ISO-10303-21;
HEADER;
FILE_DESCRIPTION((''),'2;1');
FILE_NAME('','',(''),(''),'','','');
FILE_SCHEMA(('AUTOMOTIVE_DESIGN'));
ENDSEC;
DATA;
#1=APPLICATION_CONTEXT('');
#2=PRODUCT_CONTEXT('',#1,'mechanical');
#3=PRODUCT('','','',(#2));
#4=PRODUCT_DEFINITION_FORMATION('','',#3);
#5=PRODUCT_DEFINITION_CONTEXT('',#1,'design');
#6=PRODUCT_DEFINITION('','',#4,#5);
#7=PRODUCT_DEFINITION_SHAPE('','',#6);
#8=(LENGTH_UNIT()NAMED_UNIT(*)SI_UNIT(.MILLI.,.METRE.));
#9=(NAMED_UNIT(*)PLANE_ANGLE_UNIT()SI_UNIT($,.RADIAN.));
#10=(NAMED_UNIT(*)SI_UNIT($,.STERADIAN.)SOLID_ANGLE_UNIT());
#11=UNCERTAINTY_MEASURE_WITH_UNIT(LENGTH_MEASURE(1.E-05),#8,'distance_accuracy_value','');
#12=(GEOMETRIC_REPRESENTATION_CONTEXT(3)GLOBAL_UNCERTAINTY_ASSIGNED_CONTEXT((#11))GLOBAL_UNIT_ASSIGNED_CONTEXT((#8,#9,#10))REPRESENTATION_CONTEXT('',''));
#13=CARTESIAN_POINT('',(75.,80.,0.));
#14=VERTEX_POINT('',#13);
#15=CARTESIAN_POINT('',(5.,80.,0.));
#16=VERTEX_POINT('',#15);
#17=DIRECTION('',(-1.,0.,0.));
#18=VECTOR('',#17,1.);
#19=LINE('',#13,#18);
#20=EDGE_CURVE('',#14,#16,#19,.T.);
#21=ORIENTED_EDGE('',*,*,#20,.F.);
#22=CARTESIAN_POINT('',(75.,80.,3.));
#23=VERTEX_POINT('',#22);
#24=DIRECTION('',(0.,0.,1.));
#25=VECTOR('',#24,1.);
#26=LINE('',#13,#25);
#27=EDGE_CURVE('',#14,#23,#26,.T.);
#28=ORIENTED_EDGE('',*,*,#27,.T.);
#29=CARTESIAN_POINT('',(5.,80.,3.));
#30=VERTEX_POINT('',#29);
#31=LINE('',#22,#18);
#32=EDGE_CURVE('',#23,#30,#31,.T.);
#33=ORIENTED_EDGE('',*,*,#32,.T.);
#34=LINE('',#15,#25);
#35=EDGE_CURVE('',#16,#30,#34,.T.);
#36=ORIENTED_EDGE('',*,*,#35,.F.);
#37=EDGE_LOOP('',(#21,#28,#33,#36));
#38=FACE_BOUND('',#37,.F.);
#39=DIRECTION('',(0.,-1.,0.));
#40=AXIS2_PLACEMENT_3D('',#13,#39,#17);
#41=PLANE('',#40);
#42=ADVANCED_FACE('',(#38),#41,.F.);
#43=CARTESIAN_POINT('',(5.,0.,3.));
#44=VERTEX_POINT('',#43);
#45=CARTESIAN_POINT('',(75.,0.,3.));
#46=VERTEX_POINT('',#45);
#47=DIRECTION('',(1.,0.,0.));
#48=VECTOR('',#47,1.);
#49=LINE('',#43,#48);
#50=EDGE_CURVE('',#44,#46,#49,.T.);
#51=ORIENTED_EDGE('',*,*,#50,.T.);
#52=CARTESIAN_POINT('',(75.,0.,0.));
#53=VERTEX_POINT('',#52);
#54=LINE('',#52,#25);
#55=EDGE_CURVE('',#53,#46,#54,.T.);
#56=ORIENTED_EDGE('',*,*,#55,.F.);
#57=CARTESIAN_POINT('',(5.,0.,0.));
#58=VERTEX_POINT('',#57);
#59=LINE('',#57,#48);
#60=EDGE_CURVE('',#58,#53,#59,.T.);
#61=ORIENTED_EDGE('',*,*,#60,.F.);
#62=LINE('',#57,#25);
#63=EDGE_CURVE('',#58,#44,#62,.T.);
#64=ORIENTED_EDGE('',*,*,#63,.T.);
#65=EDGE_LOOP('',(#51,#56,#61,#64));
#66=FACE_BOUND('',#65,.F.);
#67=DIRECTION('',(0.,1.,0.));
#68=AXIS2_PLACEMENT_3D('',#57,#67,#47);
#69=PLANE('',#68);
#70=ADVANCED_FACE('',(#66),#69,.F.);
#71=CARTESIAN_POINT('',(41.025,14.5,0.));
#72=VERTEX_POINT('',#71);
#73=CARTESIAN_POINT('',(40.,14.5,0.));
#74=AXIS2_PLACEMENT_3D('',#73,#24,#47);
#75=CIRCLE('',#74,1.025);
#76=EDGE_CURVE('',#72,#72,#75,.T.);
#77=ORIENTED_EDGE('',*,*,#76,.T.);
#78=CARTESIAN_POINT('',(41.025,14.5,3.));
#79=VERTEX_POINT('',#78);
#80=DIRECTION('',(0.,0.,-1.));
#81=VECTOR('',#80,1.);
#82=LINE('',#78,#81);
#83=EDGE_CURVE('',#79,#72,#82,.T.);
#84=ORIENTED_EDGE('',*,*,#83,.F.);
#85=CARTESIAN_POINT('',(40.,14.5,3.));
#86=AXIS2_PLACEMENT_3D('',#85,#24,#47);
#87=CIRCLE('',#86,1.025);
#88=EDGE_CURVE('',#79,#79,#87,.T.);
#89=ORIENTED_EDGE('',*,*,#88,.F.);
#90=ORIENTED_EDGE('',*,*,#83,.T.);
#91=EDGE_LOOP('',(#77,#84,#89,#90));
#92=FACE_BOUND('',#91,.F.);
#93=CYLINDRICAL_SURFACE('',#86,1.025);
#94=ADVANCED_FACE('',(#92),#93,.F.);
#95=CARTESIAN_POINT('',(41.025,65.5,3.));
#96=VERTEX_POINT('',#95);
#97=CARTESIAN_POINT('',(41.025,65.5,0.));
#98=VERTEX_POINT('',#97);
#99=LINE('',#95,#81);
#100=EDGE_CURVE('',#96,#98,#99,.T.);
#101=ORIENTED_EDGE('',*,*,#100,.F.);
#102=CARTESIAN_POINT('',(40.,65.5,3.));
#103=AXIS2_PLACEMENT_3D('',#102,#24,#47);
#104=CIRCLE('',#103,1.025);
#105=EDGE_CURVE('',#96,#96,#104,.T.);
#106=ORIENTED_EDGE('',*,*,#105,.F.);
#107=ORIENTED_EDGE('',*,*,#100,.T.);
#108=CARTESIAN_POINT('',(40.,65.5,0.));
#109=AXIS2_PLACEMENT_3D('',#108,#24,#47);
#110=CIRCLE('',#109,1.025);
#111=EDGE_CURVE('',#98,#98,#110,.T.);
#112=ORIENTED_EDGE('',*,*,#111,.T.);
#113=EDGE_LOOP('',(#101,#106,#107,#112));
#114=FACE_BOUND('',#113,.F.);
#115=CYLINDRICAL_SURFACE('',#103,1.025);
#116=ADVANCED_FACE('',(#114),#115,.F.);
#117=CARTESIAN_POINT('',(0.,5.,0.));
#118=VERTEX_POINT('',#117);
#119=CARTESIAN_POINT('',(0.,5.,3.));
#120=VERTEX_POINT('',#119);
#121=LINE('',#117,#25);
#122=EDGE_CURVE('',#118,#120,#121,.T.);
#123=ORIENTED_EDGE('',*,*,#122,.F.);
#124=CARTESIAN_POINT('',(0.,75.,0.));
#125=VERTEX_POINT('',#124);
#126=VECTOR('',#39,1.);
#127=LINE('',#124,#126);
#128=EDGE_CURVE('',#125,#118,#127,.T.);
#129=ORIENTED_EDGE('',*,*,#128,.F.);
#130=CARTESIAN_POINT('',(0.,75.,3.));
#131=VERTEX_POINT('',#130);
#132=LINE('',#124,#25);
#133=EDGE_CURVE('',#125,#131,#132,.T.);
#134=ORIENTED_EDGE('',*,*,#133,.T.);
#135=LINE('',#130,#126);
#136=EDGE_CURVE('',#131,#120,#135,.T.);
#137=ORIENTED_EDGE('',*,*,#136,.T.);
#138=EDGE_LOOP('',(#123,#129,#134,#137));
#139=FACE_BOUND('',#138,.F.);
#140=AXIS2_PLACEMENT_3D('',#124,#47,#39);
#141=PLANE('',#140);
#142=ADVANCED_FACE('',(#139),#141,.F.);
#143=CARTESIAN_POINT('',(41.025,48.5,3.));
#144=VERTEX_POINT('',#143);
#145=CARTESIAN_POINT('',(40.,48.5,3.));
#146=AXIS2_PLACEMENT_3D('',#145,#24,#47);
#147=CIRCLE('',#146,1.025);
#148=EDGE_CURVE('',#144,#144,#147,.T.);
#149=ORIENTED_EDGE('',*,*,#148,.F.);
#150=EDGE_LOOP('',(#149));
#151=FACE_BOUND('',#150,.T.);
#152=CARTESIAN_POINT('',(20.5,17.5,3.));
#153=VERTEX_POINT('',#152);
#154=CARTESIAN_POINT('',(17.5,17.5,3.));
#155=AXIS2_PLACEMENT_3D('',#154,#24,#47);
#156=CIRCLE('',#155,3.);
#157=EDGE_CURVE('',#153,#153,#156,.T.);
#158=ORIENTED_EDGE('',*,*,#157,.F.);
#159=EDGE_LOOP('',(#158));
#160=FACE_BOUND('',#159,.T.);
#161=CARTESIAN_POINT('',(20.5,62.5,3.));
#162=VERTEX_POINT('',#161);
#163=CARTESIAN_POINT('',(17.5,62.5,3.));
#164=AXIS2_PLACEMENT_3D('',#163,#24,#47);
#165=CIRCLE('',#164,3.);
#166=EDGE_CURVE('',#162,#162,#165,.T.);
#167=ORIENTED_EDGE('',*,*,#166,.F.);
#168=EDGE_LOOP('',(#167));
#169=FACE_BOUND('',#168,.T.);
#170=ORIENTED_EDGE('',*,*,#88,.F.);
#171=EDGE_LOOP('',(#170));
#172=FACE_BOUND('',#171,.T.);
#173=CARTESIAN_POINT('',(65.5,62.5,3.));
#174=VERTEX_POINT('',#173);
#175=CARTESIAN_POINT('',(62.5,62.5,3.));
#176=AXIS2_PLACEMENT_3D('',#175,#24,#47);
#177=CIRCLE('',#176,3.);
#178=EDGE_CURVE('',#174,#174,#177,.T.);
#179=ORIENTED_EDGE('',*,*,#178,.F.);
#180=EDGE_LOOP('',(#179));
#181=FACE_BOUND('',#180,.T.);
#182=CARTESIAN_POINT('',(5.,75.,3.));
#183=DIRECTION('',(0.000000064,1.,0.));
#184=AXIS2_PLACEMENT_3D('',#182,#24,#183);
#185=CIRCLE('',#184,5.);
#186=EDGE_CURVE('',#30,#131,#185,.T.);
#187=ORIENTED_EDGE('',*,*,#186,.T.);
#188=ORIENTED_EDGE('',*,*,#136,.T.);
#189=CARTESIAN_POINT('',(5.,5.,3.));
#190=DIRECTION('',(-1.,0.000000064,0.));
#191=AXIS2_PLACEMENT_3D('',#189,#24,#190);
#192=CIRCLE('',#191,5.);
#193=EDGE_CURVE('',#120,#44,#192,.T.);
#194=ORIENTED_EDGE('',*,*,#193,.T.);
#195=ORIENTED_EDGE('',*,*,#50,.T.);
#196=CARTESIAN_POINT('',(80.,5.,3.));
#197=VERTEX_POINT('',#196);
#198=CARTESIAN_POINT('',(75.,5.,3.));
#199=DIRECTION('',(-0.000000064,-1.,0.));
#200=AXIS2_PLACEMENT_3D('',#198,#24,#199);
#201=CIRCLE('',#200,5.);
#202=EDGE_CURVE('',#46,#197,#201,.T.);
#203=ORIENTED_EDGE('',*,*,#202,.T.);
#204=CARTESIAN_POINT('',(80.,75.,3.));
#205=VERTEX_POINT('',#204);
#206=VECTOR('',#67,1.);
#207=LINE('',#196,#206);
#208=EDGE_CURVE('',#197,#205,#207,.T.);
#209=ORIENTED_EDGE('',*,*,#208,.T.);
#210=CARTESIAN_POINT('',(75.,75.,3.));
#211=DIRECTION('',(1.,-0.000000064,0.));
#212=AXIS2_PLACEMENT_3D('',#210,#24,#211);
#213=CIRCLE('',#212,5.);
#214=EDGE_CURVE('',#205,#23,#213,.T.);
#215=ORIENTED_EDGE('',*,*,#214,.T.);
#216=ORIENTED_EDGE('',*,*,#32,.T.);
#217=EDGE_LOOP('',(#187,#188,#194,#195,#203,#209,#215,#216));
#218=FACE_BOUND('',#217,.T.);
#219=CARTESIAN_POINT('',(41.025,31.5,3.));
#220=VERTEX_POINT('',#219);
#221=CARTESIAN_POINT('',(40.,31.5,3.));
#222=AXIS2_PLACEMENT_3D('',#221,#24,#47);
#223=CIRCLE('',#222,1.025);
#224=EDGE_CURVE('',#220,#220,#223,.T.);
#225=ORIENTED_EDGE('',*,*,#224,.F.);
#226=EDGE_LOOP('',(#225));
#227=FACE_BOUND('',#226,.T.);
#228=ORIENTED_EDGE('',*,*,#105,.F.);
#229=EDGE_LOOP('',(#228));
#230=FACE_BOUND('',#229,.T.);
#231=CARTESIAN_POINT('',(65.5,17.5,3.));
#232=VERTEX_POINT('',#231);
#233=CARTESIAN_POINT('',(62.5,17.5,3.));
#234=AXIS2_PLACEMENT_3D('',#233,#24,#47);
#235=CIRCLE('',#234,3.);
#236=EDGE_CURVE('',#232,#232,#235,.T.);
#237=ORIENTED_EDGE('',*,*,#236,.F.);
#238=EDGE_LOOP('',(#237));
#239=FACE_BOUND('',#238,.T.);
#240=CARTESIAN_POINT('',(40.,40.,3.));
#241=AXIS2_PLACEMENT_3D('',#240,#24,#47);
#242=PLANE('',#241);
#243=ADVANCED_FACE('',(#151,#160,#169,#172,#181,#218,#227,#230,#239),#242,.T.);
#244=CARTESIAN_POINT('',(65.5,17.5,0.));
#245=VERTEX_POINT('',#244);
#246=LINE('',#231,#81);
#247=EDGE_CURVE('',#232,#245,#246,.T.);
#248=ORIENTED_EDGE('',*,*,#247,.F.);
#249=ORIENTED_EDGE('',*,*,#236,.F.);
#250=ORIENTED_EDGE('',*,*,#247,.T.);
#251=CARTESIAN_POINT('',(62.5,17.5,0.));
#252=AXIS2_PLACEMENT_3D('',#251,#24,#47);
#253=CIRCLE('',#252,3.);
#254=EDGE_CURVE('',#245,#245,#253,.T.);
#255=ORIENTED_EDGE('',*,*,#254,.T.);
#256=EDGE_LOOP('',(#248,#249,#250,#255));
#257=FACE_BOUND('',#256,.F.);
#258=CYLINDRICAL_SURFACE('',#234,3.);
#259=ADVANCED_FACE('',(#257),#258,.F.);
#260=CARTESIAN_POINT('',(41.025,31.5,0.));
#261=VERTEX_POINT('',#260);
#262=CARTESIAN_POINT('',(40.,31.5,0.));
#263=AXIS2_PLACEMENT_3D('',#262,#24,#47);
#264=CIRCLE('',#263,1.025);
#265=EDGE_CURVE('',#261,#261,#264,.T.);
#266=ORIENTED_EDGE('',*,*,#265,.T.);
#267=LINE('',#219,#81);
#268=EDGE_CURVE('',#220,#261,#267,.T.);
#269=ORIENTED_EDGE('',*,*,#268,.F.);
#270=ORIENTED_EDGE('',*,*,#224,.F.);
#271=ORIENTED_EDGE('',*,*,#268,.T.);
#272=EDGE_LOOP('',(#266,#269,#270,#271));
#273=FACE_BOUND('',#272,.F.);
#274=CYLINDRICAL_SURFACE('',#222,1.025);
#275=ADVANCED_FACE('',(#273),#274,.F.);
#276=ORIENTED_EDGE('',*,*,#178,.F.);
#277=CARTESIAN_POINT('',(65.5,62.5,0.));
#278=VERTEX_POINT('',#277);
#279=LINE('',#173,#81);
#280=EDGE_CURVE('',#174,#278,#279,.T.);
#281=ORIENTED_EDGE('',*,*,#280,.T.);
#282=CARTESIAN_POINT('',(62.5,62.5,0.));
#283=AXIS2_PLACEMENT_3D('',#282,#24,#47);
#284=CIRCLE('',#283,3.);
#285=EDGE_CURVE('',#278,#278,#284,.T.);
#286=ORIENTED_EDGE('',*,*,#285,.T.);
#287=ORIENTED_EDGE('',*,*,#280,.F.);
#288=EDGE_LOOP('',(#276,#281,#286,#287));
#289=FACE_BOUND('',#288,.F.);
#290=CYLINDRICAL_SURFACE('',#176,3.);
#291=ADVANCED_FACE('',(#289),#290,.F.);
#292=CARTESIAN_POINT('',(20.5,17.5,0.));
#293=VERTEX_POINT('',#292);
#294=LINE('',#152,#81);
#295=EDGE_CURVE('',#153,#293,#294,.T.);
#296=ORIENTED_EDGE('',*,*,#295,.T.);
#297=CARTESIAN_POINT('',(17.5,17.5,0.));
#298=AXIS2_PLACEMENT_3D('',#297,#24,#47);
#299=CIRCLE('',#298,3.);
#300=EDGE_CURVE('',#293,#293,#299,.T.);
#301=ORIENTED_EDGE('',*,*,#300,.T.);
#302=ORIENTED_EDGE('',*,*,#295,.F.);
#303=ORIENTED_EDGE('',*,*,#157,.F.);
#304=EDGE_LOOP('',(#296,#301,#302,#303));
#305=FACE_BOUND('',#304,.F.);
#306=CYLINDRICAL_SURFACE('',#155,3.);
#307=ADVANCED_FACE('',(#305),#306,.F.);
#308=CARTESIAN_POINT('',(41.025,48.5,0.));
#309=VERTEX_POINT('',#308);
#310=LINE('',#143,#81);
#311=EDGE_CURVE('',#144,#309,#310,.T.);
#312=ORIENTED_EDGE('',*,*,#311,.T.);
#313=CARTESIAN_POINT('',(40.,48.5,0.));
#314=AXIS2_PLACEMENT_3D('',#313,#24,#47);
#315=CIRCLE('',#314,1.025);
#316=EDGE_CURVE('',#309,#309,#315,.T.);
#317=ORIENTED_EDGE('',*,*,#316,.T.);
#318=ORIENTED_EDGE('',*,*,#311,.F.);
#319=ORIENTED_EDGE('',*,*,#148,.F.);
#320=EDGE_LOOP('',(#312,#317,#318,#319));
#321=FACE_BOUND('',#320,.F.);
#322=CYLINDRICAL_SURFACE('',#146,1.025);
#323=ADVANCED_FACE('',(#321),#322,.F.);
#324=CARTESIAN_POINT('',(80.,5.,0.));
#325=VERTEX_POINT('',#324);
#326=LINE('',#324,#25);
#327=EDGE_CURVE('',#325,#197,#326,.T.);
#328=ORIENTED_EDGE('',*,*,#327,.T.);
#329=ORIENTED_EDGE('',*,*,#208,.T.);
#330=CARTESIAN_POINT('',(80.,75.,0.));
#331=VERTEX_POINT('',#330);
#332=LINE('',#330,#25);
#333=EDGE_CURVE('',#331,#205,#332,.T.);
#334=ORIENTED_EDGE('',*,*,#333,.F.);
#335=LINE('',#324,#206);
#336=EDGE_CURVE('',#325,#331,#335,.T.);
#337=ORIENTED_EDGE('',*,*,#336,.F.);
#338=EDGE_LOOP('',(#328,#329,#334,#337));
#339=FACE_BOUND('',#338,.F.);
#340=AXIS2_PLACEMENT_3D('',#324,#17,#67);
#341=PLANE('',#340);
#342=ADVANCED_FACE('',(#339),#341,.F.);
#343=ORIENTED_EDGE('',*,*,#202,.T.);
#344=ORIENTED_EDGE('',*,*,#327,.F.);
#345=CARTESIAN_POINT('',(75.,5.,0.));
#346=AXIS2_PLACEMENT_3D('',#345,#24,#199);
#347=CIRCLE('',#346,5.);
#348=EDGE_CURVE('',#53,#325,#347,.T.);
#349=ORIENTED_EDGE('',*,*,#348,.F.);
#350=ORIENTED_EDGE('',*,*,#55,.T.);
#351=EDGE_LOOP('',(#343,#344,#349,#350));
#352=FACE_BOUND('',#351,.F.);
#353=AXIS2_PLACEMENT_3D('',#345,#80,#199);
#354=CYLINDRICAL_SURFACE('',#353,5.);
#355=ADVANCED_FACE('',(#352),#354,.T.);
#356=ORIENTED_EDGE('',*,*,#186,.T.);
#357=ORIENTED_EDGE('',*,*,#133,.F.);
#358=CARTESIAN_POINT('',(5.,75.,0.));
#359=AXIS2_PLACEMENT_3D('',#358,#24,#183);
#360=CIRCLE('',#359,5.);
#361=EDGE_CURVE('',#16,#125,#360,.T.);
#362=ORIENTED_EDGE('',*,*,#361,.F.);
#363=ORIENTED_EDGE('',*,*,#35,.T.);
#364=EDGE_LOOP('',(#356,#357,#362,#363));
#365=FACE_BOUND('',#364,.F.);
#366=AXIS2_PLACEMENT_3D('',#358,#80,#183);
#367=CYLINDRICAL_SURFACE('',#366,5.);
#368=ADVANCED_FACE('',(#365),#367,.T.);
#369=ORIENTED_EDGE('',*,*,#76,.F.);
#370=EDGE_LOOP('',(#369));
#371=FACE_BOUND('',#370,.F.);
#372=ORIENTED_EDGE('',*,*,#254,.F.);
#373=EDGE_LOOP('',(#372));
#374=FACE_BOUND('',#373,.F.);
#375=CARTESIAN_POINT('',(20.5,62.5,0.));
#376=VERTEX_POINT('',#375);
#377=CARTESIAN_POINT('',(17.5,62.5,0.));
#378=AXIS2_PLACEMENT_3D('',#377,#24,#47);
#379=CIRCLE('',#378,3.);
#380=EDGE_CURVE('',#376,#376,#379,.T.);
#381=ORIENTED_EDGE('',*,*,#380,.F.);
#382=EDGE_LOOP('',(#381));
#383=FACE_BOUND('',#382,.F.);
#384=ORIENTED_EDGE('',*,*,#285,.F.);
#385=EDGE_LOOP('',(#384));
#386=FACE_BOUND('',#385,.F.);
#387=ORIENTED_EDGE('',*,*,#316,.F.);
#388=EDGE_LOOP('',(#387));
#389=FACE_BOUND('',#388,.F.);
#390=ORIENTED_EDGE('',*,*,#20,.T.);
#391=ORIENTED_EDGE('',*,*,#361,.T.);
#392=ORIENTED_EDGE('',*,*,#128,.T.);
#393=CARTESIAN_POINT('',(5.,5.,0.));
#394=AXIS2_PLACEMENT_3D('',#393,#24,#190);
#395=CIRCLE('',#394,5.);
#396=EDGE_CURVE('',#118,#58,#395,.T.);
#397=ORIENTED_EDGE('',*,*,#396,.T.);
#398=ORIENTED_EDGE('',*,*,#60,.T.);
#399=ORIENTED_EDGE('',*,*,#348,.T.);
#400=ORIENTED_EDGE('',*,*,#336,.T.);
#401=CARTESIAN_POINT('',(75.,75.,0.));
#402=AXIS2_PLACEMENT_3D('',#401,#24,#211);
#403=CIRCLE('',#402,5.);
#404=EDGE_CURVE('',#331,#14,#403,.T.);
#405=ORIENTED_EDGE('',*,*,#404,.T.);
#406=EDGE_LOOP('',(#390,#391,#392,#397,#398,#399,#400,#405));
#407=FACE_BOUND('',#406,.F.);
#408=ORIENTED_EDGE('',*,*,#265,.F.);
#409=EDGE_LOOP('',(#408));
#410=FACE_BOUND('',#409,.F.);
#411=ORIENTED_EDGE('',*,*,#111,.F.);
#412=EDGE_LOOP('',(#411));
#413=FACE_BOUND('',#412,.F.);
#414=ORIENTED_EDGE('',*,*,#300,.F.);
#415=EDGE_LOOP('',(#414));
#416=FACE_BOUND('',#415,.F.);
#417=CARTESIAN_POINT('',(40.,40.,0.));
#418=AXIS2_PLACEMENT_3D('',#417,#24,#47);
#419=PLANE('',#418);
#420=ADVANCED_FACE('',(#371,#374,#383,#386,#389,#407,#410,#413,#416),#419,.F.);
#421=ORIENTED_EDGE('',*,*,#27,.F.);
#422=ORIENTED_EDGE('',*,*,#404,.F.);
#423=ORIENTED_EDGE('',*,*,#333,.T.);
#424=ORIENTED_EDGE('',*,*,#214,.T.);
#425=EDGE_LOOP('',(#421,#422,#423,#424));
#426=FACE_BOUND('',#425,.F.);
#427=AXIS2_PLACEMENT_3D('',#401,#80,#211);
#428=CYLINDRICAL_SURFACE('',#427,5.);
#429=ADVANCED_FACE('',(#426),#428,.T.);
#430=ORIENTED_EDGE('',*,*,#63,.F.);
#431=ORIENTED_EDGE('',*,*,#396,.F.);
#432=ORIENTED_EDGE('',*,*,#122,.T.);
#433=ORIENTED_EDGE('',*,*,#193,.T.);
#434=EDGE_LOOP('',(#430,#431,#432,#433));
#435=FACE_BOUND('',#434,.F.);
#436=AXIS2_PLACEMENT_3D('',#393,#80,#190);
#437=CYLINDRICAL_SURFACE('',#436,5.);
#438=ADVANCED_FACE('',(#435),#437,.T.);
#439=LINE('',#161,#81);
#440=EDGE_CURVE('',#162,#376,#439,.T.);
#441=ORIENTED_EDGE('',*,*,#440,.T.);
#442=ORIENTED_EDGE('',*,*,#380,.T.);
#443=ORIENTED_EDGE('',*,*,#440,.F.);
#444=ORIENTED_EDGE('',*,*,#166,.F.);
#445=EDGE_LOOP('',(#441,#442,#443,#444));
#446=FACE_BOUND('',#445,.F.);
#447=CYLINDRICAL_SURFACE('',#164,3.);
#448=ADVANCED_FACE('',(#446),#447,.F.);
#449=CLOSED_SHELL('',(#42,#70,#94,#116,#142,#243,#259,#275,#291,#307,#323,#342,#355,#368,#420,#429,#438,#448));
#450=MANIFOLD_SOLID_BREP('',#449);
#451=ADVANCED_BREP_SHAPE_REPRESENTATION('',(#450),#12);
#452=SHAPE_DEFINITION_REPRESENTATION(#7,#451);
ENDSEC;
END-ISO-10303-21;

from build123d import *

# Parameters (mm, degrees)
F1_DEPTH = 3
F2_R     = 1.025
F2_R_2   = 3
F3_DEPTH = 25


with BuildPart() as f1:
    # F0 (on Top) → F1 (new body)
    with BuildSketch(Plane.XY):
        with BuildLine():
            ThreePointArc((0, 5), (1.464466, 1.464466), (5, 0))
            Line((5, 0), (75, 0))
            ThreePointArc((75, 0), (78.535534, 1.464466), (80, 5))
            Line((80, 5), (80, 75))
            ThreePointArc((80, 75), (78.535534, 78.535534), (75, 80))
            Line((75, 80), (5, 80))
            ThreePointArc((5, 80), (1.464466, 78.535534), (0, 75))
            Line((0, 75), (0, 5))
        make_face()
    extrude(amount=F1_DEPTH)

    # F2 (on face) → F3 (cut)
    with BuildSketch(Plane.XY.offset(3)):
        with Locations((40, 48.5)):
            Circle(F2_R)
        with Locations((40, 31.5)):
            Circle(F2_R)
        with Locations((62.5, 62.5)):
            Circle(F2_R_2)
        with Locations((40, 65.5)):
            Circle(F2_R)
        with Locations((40, 14.5)):
            Circle(F2_R)
        with Locations((62.5, 17.5)):
            Circle(F2_R_2)
        with Locations((17.5, 62.5)):
            Circle(F2_R_2)
        with Locations((17.5, 17.5)):
            Circle(F2_R_2)
    extrude(amount=-F3_DEPTH, mode=Mode.SUBTRACT)


solid = f1.part
